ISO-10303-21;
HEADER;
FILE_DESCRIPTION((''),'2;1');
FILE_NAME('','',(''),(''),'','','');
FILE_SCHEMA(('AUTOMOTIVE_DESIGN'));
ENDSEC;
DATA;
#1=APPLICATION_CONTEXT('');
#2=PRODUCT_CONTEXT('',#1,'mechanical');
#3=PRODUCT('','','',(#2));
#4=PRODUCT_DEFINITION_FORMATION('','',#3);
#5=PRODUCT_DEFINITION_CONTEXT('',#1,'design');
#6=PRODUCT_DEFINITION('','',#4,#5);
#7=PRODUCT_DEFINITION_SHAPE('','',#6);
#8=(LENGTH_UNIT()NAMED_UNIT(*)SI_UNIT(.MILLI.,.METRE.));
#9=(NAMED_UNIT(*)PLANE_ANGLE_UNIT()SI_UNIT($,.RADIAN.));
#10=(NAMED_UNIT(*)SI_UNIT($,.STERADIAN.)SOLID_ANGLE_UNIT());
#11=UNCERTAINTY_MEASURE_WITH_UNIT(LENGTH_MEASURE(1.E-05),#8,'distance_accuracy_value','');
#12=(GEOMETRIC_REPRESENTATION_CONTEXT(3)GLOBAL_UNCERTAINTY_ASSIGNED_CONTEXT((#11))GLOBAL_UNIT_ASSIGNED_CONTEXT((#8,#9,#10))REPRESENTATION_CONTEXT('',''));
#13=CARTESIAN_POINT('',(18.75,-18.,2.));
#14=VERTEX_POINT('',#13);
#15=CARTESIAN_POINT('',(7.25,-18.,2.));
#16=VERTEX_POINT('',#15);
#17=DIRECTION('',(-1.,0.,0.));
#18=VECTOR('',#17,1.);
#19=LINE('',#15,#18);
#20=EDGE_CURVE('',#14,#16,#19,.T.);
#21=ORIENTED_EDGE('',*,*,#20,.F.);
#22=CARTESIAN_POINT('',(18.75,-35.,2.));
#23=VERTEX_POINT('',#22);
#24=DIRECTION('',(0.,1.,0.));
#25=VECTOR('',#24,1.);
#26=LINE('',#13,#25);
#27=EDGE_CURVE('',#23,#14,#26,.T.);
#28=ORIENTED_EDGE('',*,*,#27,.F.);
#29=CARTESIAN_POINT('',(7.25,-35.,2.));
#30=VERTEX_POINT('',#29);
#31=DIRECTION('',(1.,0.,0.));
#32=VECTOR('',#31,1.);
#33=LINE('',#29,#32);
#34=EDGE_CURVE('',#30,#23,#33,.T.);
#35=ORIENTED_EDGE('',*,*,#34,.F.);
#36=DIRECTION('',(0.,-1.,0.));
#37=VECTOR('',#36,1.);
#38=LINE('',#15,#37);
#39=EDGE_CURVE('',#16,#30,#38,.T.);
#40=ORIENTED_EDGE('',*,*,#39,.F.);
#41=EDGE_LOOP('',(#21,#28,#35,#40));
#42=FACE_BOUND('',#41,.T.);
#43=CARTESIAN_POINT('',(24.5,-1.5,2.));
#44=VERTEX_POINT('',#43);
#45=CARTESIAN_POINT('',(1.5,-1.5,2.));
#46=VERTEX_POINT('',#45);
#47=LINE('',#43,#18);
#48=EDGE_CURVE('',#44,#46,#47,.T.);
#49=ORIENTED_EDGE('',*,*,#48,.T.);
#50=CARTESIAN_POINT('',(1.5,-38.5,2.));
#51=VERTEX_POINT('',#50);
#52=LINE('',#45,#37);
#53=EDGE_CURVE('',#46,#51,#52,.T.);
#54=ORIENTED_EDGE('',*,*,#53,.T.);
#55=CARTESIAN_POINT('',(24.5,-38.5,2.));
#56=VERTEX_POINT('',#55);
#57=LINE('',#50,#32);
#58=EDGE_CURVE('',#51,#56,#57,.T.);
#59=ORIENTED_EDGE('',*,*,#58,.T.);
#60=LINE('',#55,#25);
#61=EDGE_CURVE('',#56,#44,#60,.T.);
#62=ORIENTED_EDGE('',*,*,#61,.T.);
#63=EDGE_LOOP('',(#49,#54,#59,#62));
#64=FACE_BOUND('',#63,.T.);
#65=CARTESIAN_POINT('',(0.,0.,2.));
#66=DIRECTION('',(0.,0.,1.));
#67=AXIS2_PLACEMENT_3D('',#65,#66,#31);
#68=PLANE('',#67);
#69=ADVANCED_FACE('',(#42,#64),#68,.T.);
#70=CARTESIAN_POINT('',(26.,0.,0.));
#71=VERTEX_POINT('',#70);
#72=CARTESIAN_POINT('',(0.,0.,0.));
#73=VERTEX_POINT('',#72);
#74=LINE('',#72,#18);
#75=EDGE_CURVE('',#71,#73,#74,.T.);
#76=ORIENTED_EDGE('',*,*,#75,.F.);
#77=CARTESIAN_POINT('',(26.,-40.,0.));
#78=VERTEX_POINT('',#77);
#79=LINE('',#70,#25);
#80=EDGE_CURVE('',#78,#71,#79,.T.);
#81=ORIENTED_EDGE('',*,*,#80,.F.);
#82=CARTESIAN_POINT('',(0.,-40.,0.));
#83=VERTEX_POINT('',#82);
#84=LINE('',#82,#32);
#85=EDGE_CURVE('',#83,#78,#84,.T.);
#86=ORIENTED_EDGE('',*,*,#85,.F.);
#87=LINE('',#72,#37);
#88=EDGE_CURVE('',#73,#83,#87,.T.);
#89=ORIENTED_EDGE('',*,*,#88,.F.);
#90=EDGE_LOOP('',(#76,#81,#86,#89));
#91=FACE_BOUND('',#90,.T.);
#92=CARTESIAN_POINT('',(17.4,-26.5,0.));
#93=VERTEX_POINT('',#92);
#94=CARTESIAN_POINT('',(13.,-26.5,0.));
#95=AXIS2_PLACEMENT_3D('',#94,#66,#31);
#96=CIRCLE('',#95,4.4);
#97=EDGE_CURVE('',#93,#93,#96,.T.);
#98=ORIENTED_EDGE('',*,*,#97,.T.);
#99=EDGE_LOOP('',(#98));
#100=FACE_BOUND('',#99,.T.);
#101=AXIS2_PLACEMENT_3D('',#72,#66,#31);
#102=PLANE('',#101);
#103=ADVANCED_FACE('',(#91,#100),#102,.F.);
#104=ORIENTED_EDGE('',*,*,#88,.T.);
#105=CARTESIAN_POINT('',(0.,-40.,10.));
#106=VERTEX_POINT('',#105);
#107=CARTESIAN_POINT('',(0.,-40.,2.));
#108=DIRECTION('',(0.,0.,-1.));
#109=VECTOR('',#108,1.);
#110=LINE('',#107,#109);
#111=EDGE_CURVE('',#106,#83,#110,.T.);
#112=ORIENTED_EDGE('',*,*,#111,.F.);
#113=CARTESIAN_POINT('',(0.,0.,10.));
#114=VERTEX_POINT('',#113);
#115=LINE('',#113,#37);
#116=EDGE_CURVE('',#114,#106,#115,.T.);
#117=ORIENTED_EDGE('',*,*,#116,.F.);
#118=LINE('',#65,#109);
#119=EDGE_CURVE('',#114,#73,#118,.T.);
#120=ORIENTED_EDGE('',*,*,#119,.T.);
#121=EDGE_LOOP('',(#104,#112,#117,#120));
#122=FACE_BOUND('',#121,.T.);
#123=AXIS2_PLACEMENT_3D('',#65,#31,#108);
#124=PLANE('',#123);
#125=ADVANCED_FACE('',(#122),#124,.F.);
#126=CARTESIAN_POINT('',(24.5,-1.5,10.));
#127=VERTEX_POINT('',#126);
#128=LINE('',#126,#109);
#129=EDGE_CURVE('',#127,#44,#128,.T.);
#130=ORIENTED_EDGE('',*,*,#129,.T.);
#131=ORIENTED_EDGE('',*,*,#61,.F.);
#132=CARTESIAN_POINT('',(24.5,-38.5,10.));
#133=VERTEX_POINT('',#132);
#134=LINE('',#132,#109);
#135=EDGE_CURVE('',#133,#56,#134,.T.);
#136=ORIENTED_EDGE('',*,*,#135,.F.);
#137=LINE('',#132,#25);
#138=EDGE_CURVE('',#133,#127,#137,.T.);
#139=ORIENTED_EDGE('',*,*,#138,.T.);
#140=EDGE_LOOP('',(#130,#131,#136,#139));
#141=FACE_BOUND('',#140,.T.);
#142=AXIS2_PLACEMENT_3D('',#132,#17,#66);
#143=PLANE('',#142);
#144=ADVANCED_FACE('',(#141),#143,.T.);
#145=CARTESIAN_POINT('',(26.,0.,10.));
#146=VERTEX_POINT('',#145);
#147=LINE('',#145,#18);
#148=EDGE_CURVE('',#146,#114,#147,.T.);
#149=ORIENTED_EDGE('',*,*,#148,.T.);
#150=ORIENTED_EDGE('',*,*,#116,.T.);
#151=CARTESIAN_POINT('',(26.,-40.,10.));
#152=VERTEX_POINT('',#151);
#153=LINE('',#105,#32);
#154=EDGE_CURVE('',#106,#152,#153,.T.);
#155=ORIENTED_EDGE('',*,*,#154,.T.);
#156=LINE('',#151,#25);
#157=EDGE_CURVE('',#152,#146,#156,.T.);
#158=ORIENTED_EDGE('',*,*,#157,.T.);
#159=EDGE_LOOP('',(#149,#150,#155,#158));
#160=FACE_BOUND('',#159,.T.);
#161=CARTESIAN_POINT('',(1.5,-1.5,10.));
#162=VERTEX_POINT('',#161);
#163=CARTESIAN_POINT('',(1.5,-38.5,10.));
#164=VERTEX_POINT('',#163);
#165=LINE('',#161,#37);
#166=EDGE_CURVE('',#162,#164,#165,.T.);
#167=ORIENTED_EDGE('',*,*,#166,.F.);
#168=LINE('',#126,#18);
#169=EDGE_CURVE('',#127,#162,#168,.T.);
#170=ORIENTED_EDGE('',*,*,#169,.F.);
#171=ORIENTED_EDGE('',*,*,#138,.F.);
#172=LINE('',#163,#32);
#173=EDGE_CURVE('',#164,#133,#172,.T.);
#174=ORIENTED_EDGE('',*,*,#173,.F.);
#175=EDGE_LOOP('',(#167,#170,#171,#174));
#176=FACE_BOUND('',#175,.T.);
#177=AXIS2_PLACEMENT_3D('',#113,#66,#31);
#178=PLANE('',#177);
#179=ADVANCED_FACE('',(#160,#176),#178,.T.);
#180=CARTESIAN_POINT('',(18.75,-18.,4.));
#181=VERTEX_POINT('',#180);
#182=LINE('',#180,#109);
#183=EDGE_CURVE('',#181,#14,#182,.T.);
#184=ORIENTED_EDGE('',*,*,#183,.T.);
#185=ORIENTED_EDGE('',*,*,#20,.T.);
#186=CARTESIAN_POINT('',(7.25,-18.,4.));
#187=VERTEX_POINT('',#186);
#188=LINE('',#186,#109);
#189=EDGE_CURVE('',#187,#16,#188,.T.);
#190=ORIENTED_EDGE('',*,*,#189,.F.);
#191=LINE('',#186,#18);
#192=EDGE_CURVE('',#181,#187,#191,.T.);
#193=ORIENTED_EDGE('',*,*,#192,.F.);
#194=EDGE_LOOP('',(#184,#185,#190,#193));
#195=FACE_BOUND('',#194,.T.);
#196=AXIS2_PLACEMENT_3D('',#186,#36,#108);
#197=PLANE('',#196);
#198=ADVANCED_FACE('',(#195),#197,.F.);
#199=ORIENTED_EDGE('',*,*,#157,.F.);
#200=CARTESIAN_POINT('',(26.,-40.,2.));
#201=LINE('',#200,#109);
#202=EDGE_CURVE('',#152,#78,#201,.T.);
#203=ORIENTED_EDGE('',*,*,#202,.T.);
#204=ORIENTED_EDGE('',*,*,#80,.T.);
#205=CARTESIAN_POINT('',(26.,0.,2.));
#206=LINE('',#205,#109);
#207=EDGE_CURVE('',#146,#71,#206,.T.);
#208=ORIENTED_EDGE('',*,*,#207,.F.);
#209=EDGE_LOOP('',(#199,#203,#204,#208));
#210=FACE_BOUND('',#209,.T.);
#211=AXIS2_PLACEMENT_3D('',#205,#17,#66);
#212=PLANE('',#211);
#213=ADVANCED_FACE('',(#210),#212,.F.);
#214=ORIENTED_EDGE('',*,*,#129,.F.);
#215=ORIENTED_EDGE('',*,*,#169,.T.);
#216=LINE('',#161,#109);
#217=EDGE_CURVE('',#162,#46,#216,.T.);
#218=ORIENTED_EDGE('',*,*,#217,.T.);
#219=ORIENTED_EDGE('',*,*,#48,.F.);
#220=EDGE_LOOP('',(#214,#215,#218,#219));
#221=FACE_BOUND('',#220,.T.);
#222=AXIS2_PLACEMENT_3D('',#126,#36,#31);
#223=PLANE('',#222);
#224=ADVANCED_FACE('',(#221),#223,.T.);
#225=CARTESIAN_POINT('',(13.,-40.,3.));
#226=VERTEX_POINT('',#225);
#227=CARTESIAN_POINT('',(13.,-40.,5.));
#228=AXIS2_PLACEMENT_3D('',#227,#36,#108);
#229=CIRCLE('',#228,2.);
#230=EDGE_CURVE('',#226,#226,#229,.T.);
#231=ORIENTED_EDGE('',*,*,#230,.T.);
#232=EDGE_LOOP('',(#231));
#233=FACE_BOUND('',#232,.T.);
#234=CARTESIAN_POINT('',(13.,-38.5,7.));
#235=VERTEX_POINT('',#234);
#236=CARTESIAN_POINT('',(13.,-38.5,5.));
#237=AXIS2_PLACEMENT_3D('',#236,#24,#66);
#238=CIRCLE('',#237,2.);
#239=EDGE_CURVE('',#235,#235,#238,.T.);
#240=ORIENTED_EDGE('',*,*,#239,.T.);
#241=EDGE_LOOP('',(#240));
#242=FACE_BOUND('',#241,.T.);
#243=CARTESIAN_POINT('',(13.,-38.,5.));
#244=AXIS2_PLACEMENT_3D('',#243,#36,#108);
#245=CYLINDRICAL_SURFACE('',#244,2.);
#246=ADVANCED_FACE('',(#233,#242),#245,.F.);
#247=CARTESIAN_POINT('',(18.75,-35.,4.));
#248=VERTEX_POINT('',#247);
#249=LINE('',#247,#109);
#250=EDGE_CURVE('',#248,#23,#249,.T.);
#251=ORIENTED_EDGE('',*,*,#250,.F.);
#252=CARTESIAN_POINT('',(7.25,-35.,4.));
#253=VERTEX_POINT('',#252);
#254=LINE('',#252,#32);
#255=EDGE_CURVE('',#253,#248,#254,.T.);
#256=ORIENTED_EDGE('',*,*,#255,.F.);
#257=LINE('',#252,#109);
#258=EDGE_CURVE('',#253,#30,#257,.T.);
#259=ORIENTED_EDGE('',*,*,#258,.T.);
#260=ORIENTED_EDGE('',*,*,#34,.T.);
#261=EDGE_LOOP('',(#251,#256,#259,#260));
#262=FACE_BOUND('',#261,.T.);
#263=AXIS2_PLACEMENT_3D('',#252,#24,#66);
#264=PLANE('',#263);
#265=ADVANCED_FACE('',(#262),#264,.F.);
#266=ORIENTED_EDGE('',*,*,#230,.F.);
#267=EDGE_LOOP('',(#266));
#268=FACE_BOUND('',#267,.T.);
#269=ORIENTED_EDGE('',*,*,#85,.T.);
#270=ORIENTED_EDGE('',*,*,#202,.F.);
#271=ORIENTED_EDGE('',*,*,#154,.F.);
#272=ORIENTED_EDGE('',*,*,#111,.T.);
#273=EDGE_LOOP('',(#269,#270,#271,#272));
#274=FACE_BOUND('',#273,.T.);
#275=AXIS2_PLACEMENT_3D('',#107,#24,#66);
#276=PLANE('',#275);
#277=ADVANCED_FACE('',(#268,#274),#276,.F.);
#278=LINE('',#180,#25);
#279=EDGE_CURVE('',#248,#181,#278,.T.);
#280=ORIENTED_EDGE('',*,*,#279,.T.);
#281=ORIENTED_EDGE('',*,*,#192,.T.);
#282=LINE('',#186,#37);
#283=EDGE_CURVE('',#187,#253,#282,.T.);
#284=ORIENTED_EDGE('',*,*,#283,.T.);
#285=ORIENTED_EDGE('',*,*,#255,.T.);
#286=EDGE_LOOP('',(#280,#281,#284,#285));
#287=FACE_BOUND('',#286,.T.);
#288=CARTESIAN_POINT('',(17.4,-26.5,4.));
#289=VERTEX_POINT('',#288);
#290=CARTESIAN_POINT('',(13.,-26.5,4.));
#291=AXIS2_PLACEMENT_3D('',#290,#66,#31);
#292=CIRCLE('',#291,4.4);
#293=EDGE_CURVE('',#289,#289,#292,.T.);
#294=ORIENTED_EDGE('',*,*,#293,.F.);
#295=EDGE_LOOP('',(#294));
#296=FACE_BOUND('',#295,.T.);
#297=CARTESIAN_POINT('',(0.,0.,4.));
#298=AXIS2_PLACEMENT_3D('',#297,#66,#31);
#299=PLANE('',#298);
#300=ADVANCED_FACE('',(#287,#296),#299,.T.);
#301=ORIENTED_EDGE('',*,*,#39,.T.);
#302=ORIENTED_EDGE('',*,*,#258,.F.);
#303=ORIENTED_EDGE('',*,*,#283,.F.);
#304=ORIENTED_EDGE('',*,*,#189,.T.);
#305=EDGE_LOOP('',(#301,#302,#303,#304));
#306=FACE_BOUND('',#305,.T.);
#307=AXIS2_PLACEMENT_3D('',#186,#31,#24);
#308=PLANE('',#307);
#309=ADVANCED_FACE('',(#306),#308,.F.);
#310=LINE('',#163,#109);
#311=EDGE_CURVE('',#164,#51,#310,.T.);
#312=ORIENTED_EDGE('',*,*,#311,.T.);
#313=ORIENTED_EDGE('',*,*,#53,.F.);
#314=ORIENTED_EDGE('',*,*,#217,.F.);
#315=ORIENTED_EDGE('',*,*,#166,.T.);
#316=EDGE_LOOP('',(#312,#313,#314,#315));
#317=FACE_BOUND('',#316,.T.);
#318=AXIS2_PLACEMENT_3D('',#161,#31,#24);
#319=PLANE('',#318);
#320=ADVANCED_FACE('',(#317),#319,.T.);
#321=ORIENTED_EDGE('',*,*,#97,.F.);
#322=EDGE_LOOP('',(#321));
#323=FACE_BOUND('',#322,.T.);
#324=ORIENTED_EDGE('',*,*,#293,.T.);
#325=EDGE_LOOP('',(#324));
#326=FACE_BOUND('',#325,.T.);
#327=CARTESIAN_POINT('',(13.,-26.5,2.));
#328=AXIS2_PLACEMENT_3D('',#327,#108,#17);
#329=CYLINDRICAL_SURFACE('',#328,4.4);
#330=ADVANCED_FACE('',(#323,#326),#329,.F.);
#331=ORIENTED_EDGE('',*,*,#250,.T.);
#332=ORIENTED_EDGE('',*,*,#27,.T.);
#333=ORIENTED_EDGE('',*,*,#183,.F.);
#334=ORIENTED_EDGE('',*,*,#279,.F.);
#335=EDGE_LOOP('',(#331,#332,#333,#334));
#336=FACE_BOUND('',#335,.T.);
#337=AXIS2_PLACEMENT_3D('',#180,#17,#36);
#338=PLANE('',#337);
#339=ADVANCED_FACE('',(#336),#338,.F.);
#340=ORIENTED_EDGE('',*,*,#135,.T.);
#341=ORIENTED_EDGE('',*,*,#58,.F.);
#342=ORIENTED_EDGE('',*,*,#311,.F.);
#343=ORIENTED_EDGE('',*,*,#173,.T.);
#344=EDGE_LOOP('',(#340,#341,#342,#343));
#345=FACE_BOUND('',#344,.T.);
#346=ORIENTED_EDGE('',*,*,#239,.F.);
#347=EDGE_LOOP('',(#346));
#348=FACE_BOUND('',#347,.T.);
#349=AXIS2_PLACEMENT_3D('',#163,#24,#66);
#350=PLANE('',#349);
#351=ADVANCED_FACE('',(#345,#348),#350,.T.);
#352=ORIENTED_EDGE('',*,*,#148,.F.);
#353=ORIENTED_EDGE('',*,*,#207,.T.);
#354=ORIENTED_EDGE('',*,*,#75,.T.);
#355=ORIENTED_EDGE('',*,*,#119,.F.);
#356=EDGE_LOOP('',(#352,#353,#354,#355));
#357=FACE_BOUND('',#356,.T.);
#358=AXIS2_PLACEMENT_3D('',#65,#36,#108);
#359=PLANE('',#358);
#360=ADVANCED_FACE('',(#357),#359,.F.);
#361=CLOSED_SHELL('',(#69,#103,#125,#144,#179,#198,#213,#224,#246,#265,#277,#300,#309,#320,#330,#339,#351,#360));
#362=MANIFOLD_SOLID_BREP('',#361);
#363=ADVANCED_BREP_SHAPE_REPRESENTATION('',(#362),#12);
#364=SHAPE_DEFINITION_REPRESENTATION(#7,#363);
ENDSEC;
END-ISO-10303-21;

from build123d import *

# Parameters (mm, degrees)
SKETCH1_W           = 26
SKETCH1_H           = 40
SKETCH1_R           = 4.4
BOSS_EXTRUDE1_DEPTH = 2
SKETCH2_W           = 11.5
SKETCH2_H           = 17
SKETCH2_R           = 4.4
BOSS_EXTRUDE2_DEPTH = 2
SKETCH3_W           = 26
SKETCH3_H           = 40
SKETCH3_W_2         = 23
SKETCH3_H_2         = 37
BOSS_EXTRUDE3_DEPTH = 8
SKETCH4_R           = 2
CUT_EXTRUDE1_DEPTH  = 2


with BuildPart() as part:
    # Sketch1 → Boss-Extrude1 (new body)
    with BuildSketch(Plane.XY):
        with Locations((13, -20)):
            Rectangle(SKETCH1_W, SKETCH1_H)
        with Locations((13, -26.5)):
            Circle(SKETCH1_R, mode=Mode.SUBTRACT)
    extrude(amount=BOSS_EXTRUDE1_DEPTH)

    # Sketch2 → Boss-Extrude2 (add)
    with BuildSketch(Plane.XY.offset(2)):
        with Locations((13, -26.5)):
            Rectangle(SKETCH2_W, SKETCH2_H)
        with Locations((13, -26.5)):
            Circle(SKETCH2_R, mode=Mode.SUBTRACT)
    extrude(amount=BOSS_EXTRUDE2_DEPTH)

    # Sketch3 → Boss-Extrude3 (add)
    with BuildSketch(Plane.XY.offset(2)):
        with Locations((13, -20)):
            Rectangle(SKETCH3_W, SKETCH3_H)
        with Locations((13, -20)):
            Rectangle(SKETCH3_W_2, SKETCH3_H_2, mode=Mode.SUBTRACT)
    extrude(amount=BOSS_EXTRUDE3_DEPTH)

    # Sketch4 → Cut-Extrude1 (cut)
    with BuildSketch(Plane.XZ.offset(40)):
        with Locations(Location((13, 5, 0), (0, 0, 270))):
            Circle(SKETCH4_R)
    extrude(amount=-CUT_EXTRUDE1_DEPTH, mode=Mode.SUBTRACT)


solid = part.part
